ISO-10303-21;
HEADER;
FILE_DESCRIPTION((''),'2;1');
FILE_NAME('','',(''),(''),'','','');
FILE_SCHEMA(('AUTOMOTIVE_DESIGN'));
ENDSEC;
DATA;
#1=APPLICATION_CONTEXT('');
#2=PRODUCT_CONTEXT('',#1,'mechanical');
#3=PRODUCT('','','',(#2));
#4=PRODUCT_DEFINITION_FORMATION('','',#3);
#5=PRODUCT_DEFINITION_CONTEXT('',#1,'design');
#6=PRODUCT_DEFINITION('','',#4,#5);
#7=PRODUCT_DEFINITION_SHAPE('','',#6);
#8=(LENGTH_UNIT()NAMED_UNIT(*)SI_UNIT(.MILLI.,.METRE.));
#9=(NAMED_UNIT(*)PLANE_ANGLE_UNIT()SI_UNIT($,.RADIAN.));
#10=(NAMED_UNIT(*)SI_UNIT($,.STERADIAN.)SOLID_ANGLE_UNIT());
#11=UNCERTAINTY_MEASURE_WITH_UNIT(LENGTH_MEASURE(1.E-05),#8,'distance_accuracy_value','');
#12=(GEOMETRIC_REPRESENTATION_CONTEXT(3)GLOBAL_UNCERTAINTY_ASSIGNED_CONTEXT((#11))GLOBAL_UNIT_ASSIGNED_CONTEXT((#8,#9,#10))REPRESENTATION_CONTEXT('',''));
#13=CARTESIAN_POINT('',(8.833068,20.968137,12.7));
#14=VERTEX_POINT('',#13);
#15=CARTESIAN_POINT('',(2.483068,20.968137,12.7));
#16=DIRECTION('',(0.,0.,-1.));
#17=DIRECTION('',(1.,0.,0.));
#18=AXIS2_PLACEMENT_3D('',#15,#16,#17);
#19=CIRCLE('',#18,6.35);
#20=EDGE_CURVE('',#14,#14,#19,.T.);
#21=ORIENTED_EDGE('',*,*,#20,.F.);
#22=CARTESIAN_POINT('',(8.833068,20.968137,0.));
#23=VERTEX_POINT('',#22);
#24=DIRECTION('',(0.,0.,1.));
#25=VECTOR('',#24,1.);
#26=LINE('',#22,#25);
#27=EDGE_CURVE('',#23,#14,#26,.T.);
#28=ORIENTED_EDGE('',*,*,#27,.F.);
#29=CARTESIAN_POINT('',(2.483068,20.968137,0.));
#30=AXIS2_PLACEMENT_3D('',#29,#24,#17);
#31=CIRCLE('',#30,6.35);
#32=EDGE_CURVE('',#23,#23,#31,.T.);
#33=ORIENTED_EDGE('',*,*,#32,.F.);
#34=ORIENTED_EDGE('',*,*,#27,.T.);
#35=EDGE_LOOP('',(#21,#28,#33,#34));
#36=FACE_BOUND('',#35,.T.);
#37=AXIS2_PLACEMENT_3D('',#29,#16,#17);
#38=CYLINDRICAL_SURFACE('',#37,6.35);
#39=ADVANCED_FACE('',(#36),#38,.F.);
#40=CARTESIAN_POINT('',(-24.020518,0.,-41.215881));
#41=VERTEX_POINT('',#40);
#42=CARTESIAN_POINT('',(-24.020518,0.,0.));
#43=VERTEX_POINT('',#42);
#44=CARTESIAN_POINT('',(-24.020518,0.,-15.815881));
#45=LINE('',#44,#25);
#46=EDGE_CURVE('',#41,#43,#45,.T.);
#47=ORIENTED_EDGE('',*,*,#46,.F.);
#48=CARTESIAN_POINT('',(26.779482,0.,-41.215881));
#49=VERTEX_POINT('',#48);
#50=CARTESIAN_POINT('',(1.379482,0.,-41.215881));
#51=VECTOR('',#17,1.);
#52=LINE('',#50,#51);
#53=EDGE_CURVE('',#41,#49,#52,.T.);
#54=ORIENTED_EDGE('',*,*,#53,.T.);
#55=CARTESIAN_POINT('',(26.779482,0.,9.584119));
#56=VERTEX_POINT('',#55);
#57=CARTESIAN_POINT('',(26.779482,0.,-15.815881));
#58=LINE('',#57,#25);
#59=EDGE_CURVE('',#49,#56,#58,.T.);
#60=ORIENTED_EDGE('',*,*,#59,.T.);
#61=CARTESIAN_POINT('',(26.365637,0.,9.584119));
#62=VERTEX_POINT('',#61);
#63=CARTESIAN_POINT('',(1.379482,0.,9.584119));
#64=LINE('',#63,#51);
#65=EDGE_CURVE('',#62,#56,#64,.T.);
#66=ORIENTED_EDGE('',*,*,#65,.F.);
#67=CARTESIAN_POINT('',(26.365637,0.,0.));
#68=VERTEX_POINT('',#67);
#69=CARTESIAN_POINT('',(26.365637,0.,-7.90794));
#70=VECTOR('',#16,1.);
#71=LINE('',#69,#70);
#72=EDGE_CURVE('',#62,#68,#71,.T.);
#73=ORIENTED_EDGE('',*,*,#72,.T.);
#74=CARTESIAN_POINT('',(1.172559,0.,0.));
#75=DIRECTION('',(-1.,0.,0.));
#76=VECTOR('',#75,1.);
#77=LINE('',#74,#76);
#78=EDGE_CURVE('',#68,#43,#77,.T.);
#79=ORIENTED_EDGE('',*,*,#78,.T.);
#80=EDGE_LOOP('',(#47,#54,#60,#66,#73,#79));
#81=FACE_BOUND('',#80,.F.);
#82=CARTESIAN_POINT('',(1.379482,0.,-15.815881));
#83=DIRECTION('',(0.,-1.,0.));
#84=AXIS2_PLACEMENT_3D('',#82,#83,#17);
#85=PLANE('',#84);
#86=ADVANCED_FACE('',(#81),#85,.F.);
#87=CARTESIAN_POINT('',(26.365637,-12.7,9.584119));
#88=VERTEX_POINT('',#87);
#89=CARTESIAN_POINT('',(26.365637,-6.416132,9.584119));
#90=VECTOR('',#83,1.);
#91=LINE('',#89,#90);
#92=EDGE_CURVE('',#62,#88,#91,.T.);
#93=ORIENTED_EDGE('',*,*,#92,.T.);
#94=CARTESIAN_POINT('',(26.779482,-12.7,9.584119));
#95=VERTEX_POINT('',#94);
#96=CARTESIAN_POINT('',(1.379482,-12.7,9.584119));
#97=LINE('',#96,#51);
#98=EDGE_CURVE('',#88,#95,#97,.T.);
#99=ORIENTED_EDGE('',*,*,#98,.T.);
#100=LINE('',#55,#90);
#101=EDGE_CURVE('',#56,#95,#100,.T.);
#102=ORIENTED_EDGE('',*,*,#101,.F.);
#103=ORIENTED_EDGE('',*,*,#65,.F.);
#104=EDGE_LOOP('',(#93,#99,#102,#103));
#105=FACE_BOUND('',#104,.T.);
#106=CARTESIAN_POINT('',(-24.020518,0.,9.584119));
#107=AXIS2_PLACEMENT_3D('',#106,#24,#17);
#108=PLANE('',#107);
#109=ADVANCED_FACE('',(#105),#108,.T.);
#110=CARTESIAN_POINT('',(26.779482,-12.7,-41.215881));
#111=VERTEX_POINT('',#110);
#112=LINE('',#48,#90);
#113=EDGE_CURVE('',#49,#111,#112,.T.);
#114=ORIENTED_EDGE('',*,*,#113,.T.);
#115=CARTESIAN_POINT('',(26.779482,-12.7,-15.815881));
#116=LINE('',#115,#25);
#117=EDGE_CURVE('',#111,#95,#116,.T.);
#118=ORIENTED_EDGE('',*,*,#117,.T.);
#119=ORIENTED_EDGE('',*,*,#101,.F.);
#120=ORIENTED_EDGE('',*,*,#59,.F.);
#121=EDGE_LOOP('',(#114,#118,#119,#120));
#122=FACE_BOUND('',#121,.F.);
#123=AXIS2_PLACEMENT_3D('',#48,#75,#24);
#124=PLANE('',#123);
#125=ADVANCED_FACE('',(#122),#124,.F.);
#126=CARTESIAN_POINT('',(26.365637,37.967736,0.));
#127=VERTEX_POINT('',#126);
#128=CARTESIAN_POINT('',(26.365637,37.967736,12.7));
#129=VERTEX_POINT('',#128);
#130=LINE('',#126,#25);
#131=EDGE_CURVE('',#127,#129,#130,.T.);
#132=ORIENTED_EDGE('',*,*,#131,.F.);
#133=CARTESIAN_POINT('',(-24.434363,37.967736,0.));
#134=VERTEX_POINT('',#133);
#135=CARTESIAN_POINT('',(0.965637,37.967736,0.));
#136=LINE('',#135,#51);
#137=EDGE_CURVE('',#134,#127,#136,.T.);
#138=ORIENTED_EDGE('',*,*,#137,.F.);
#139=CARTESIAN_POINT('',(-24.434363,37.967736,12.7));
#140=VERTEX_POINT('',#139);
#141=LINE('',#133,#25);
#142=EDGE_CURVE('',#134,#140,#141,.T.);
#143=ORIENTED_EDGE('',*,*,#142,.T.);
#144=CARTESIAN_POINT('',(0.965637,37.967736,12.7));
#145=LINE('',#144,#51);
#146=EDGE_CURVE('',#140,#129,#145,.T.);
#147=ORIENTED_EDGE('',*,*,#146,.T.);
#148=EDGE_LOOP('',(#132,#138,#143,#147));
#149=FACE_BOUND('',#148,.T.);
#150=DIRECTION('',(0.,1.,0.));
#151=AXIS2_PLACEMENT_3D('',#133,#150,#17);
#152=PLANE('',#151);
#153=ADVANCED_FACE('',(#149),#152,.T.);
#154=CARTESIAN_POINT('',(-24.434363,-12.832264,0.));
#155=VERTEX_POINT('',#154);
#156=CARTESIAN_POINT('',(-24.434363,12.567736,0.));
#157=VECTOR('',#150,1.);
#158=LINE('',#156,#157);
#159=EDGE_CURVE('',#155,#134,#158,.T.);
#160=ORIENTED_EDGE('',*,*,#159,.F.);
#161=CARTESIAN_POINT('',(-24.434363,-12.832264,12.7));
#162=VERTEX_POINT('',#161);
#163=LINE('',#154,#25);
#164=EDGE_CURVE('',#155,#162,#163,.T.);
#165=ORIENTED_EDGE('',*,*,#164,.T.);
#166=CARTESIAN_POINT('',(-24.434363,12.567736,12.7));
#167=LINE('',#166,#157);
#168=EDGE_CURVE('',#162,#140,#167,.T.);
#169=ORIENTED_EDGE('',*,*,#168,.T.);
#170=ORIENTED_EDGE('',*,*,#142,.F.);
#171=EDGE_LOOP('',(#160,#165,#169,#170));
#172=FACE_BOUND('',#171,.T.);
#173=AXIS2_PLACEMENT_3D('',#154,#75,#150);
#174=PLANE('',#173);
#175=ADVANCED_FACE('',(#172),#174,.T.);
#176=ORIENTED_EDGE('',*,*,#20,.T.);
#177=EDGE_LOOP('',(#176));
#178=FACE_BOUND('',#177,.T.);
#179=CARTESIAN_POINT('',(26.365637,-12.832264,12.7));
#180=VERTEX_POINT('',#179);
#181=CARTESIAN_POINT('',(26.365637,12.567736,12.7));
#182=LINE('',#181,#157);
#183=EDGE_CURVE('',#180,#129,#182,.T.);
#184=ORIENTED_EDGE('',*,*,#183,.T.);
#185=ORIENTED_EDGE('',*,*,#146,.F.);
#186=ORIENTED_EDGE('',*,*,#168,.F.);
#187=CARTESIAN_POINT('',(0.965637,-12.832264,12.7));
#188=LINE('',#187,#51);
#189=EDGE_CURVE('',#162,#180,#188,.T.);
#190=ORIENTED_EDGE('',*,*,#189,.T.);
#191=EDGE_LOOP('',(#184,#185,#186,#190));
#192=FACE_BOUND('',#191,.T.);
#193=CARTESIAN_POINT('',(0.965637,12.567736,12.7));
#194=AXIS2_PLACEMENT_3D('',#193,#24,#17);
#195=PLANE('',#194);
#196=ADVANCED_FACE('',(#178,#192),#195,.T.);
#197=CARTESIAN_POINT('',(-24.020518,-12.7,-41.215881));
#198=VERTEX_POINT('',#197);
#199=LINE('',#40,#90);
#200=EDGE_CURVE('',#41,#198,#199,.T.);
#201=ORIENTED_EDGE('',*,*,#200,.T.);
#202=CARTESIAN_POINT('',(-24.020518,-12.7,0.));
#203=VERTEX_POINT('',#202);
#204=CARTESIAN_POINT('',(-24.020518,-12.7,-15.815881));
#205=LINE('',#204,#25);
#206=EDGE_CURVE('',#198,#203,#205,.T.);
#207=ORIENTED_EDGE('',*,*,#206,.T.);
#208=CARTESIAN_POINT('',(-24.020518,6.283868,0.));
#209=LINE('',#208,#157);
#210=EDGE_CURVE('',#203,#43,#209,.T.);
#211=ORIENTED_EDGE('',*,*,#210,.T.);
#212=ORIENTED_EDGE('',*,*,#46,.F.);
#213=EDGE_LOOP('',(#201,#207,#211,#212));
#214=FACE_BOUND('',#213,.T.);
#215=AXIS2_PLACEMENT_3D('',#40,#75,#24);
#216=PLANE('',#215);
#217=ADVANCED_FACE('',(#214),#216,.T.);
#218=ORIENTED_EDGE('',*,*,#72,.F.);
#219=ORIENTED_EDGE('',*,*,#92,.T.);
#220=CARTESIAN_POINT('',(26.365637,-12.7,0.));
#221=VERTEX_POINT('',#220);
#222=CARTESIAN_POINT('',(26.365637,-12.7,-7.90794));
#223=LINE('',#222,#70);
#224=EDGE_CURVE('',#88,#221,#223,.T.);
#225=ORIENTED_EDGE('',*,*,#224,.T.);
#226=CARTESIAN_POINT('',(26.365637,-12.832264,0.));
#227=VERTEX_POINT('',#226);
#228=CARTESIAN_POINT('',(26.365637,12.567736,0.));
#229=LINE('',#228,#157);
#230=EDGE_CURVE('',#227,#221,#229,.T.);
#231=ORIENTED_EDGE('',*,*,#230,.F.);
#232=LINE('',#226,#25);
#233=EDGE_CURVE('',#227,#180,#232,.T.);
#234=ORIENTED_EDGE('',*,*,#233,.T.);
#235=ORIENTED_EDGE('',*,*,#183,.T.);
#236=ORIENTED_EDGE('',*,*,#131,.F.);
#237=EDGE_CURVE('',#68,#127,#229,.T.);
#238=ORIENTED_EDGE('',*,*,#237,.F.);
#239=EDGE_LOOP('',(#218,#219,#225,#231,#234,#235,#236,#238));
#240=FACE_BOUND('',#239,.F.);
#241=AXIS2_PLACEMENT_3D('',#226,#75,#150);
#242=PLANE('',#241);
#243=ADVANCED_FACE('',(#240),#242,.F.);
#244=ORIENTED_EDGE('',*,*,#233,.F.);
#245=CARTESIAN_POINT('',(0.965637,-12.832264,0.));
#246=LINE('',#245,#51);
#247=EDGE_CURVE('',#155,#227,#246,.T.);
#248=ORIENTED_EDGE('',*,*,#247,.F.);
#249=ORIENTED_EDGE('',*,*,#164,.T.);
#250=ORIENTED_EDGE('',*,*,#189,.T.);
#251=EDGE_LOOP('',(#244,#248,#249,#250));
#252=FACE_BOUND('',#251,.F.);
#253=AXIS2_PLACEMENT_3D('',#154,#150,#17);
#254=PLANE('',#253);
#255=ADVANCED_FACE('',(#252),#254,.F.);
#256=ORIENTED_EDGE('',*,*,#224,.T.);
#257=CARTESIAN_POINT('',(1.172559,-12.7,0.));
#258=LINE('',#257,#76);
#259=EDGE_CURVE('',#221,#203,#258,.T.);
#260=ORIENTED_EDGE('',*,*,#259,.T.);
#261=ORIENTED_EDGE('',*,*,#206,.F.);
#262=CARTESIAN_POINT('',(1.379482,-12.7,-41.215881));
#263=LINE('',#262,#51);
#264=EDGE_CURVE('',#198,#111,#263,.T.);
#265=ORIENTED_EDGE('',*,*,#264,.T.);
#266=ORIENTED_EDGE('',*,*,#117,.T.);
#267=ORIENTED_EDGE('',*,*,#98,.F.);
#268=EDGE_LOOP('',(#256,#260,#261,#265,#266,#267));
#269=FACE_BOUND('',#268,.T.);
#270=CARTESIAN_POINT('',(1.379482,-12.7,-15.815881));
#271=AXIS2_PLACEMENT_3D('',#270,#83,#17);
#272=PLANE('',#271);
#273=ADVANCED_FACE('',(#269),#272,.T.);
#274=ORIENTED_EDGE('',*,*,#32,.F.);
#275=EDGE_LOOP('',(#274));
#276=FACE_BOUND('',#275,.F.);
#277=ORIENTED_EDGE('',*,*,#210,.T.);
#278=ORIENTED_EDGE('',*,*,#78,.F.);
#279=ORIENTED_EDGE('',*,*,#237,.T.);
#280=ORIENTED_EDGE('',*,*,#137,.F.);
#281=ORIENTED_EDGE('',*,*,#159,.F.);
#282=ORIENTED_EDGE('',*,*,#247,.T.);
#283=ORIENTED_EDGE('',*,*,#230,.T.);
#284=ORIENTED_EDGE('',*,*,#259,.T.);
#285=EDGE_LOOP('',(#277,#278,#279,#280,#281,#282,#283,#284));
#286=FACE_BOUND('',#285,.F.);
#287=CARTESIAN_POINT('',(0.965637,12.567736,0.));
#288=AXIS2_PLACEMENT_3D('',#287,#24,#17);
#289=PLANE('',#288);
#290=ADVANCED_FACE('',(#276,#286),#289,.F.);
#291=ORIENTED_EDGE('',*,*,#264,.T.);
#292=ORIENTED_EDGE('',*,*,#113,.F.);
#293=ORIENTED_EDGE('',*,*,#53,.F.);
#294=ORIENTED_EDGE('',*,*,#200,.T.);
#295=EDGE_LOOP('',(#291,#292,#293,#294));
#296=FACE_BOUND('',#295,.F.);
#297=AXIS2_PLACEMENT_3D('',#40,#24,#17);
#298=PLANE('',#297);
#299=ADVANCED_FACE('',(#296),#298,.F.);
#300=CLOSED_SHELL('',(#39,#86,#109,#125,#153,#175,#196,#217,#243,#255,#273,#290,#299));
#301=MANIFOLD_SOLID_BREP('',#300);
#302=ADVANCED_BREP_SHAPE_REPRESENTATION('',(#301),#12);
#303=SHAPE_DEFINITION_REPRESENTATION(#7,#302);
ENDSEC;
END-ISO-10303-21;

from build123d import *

# Parameters (mm, degrees)
F0_W     = 50.8
F0_H     = 50.8
F1_DEPTH = 12.7
F2_W     = 50.8
F2_H     = 50.8
F3_DEPTH = 12.7
F4_R     = 6.35
F5_DEPTH = 25.4


with BuildPart() as f1:
    # F0 (on Front) → F1 (new body)
    with BuildSketch(Plane.XZ):
        with Locations((1.379482, -15.815881)):
            Rectangle(F0_W, F0_H)
    extrude(amount=F1_DEPTH)

    # F2 (on Top) → F3 (join)
    with BuildSketch(Plane.XY):
        with Locations((0.965637, 12.567736)):
            Rectangle(F2_W, F2_H)
    extrude(amount=F3_DEPTH)

    # F4 (on face) → F5 (cut)
    with BuildSketch(Plane.XY):
        with Locations((2.483068, 20.968137)):
            Circle(F4_R)
    extrude(amount=F5_DEPTH, mode=Mode.SUBTRACT)


solid = f1.part
